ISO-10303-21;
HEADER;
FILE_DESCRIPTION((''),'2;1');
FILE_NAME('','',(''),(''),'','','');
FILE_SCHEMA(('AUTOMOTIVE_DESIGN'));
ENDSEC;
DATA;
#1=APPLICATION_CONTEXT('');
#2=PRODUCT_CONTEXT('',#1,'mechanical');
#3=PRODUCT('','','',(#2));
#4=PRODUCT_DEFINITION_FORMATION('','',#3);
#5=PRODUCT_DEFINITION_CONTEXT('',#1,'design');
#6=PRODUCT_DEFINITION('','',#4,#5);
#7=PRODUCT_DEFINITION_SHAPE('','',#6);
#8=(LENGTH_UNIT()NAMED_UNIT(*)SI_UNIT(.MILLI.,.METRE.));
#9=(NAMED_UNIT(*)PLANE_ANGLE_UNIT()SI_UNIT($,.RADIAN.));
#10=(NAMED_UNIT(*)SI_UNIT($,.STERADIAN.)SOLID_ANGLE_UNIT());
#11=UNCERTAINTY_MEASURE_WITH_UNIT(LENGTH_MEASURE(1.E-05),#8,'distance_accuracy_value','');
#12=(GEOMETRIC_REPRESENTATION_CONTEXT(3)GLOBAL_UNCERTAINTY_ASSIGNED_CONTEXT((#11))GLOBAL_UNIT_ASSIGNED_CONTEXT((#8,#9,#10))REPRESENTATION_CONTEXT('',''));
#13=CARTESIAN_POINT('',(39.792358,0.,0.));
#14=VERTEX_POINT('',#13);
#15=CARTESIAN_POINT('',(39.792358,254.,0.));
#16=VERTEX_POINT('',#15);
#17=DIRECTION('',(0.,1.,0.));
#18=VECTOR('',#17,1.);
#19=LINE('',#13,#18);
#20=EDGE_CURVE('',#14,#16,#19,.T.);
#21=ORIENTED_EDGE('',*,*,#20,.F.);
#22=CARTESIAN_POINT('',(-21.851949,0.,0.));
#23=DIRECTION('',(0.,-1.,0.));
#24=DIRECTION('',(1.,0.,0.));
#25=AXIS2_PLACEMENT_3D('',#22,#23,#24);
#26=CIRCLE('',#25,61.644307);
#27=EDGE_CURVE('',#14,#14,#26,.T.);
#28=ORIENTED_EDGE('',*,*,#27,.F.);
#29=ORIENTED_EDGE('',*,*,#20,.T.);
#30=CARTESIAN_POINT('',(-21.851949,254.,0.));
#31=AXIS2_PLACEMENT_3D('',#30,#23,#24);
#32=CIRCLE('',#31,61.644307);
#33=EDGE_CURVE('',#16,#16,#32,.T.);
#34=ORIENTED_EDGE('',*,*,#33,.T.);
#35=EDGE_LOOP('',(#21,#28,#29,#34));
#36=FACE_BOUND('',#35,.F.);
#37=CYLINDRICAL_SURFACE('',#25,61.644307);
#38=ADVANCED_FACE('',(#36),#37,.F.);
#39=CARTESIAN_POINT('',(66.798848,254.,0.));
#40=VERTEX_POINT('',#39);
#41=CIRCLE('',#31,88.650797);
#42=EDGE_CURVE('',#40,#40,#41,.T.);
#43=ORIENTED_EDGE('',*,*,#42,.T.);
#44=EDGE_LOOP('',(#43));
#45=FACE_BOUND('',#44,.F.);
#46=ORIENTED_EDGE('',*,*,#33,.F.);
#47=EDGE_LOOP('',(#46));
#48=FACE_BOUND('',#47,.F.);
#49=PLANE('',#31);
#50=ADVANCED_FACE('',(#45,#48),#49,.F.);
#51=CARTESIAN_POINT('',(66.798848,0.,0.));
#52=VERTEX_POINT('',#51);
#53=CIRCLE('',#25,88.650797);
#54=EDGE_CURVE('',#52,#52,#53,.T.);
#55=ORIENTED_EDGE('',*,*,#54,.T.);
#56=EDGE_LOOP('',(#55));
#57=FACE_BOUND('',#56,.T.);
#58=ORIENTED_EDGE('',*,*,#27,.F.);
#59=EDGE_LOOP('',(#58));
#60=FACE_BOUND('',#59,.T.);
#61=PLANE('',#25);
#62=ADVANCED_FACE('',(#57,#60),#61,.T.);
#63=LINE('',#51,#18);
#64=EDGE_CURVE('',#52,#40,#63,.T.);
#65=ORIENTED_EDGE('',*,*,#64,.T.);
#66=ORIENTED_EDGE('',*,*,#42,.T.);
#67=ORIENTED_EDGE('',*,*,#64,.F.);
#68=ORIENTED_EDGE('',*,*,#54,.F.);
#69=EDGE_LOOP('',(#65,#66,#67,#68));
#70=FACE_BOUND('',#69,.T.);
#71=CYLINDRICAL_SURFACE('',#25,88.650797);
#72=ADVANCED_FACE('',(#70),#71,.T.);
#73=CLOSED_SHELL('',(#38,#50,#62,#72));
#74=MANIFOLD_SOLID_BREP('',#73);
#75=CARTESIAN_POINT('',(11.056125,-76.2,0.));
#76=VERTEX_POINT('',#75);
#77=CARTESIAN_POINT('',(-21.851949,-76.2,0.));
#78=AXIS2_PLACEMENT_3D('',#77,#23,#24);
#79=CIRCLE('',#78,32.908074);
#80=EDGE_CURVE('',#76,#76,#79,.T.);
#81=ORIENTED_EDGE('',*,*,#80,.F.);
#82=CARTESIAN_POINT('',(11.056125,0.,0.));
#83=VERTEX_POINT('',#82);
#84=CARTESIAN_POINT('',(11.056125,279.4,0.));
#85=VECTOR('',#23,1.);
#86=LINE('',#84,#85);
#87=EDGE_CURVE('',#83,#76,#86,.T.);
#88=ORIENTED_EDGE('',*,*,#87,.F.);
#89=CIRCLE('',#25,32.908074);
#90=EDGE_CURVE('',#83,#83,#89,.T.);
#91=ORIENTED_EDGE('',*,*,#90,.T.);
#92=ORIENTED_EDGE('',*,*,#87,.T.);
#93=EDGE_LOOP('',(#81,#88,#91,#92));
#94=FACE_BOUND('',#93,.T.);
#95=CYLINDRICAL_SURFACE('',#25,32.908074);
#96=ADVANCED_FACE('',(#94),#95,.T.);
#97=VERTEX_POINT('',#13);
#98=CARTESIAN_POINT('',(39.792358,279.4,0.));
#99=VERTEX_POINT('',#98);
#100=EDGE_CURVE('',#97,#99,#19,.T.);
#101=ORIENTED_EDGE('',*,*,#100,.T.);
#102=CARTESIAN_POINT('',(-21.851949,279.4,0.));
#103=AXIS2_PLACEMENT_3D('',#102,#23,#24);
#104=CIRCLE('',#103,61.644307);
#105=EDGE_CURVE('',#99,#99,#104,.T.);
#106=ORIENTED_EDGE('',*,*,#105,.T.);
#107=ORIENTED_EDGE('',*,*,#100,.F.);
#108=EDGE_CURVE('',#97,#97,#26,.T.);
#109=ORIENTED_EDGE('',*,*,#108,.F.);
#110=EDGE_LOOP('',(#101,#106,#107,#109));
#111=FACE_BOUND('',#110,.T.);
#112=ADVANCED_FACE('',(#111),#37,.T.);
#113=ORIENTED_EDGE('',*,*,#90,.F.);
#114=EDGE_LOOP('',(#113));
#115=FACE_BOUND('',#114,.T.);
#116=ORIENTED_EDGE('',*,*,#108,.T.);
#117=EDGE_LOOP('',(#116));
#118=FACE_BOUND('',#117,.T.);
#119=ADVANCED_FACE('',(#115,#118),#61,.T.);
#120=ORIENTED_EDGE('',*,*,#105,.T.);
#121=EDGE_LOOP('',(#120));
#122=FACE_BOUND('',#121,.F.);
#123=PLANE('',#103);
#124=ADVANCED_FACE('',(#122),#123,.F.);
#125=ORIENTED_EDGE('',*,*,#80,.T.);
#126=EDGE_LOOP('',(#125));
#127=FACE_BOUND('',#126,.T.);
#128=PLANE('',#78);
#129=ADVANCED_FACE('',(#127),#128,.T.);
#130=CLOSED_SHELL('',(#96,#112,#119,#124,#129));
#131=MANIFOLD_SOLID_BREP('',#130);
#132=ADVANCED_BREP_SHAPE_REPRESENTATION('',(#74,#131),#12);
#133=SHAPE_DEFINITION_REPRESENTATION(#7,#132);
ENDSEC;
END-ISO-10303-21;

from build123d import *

# Parameters (mm, degrees)
F0_R          = 32.908074
F1_DEPTH      = 76.2
F1_DEPTH_BACK = 279.4
F0_R_2        = 61.644307
F2_DEPTH      = 279.4
F0_R_3        = 88.650797
F3_DEPTH      = 254


with BuildPart() as f1:
    # F0 (on Front) → F1 (new body, two sides)
    with BuildSketch(Plane.XZ) as f1_sk:
        with Locations((-21.851949, 0)):
            Circle(F0_R)
    extrude(amount=F1_DEPTH)
    extrude(f1_sk.sketch, amount=-F1_DEPTH_BACK)

    # F0 (on Front) → F2 (join)
    with BuildSketch(Plane.XZ):
        with Locations((-21.851949, 0)):
            Circle(F0_R_2)
        with Locations((-21.851949, 0)):
            Circle(F0_R, mode=Mode.SUBTRACT)
    extrude(amount=-F2_DEPTH)


with BuildPart() as f3:
    # F0 (on Front) → F3 (new body)
    with BuildSketch(Plane.XZ):
        with Locations((-21.851949, 0)):
            Circle(F0_R_3)
        with Locations((-21.851949, 0)):
            Circle(F0_R_2, mode=Mode.SUBTRACT)
    extrude(amount=-F3_DEPTH)


solid = Compound([f1.part, f3.part])
